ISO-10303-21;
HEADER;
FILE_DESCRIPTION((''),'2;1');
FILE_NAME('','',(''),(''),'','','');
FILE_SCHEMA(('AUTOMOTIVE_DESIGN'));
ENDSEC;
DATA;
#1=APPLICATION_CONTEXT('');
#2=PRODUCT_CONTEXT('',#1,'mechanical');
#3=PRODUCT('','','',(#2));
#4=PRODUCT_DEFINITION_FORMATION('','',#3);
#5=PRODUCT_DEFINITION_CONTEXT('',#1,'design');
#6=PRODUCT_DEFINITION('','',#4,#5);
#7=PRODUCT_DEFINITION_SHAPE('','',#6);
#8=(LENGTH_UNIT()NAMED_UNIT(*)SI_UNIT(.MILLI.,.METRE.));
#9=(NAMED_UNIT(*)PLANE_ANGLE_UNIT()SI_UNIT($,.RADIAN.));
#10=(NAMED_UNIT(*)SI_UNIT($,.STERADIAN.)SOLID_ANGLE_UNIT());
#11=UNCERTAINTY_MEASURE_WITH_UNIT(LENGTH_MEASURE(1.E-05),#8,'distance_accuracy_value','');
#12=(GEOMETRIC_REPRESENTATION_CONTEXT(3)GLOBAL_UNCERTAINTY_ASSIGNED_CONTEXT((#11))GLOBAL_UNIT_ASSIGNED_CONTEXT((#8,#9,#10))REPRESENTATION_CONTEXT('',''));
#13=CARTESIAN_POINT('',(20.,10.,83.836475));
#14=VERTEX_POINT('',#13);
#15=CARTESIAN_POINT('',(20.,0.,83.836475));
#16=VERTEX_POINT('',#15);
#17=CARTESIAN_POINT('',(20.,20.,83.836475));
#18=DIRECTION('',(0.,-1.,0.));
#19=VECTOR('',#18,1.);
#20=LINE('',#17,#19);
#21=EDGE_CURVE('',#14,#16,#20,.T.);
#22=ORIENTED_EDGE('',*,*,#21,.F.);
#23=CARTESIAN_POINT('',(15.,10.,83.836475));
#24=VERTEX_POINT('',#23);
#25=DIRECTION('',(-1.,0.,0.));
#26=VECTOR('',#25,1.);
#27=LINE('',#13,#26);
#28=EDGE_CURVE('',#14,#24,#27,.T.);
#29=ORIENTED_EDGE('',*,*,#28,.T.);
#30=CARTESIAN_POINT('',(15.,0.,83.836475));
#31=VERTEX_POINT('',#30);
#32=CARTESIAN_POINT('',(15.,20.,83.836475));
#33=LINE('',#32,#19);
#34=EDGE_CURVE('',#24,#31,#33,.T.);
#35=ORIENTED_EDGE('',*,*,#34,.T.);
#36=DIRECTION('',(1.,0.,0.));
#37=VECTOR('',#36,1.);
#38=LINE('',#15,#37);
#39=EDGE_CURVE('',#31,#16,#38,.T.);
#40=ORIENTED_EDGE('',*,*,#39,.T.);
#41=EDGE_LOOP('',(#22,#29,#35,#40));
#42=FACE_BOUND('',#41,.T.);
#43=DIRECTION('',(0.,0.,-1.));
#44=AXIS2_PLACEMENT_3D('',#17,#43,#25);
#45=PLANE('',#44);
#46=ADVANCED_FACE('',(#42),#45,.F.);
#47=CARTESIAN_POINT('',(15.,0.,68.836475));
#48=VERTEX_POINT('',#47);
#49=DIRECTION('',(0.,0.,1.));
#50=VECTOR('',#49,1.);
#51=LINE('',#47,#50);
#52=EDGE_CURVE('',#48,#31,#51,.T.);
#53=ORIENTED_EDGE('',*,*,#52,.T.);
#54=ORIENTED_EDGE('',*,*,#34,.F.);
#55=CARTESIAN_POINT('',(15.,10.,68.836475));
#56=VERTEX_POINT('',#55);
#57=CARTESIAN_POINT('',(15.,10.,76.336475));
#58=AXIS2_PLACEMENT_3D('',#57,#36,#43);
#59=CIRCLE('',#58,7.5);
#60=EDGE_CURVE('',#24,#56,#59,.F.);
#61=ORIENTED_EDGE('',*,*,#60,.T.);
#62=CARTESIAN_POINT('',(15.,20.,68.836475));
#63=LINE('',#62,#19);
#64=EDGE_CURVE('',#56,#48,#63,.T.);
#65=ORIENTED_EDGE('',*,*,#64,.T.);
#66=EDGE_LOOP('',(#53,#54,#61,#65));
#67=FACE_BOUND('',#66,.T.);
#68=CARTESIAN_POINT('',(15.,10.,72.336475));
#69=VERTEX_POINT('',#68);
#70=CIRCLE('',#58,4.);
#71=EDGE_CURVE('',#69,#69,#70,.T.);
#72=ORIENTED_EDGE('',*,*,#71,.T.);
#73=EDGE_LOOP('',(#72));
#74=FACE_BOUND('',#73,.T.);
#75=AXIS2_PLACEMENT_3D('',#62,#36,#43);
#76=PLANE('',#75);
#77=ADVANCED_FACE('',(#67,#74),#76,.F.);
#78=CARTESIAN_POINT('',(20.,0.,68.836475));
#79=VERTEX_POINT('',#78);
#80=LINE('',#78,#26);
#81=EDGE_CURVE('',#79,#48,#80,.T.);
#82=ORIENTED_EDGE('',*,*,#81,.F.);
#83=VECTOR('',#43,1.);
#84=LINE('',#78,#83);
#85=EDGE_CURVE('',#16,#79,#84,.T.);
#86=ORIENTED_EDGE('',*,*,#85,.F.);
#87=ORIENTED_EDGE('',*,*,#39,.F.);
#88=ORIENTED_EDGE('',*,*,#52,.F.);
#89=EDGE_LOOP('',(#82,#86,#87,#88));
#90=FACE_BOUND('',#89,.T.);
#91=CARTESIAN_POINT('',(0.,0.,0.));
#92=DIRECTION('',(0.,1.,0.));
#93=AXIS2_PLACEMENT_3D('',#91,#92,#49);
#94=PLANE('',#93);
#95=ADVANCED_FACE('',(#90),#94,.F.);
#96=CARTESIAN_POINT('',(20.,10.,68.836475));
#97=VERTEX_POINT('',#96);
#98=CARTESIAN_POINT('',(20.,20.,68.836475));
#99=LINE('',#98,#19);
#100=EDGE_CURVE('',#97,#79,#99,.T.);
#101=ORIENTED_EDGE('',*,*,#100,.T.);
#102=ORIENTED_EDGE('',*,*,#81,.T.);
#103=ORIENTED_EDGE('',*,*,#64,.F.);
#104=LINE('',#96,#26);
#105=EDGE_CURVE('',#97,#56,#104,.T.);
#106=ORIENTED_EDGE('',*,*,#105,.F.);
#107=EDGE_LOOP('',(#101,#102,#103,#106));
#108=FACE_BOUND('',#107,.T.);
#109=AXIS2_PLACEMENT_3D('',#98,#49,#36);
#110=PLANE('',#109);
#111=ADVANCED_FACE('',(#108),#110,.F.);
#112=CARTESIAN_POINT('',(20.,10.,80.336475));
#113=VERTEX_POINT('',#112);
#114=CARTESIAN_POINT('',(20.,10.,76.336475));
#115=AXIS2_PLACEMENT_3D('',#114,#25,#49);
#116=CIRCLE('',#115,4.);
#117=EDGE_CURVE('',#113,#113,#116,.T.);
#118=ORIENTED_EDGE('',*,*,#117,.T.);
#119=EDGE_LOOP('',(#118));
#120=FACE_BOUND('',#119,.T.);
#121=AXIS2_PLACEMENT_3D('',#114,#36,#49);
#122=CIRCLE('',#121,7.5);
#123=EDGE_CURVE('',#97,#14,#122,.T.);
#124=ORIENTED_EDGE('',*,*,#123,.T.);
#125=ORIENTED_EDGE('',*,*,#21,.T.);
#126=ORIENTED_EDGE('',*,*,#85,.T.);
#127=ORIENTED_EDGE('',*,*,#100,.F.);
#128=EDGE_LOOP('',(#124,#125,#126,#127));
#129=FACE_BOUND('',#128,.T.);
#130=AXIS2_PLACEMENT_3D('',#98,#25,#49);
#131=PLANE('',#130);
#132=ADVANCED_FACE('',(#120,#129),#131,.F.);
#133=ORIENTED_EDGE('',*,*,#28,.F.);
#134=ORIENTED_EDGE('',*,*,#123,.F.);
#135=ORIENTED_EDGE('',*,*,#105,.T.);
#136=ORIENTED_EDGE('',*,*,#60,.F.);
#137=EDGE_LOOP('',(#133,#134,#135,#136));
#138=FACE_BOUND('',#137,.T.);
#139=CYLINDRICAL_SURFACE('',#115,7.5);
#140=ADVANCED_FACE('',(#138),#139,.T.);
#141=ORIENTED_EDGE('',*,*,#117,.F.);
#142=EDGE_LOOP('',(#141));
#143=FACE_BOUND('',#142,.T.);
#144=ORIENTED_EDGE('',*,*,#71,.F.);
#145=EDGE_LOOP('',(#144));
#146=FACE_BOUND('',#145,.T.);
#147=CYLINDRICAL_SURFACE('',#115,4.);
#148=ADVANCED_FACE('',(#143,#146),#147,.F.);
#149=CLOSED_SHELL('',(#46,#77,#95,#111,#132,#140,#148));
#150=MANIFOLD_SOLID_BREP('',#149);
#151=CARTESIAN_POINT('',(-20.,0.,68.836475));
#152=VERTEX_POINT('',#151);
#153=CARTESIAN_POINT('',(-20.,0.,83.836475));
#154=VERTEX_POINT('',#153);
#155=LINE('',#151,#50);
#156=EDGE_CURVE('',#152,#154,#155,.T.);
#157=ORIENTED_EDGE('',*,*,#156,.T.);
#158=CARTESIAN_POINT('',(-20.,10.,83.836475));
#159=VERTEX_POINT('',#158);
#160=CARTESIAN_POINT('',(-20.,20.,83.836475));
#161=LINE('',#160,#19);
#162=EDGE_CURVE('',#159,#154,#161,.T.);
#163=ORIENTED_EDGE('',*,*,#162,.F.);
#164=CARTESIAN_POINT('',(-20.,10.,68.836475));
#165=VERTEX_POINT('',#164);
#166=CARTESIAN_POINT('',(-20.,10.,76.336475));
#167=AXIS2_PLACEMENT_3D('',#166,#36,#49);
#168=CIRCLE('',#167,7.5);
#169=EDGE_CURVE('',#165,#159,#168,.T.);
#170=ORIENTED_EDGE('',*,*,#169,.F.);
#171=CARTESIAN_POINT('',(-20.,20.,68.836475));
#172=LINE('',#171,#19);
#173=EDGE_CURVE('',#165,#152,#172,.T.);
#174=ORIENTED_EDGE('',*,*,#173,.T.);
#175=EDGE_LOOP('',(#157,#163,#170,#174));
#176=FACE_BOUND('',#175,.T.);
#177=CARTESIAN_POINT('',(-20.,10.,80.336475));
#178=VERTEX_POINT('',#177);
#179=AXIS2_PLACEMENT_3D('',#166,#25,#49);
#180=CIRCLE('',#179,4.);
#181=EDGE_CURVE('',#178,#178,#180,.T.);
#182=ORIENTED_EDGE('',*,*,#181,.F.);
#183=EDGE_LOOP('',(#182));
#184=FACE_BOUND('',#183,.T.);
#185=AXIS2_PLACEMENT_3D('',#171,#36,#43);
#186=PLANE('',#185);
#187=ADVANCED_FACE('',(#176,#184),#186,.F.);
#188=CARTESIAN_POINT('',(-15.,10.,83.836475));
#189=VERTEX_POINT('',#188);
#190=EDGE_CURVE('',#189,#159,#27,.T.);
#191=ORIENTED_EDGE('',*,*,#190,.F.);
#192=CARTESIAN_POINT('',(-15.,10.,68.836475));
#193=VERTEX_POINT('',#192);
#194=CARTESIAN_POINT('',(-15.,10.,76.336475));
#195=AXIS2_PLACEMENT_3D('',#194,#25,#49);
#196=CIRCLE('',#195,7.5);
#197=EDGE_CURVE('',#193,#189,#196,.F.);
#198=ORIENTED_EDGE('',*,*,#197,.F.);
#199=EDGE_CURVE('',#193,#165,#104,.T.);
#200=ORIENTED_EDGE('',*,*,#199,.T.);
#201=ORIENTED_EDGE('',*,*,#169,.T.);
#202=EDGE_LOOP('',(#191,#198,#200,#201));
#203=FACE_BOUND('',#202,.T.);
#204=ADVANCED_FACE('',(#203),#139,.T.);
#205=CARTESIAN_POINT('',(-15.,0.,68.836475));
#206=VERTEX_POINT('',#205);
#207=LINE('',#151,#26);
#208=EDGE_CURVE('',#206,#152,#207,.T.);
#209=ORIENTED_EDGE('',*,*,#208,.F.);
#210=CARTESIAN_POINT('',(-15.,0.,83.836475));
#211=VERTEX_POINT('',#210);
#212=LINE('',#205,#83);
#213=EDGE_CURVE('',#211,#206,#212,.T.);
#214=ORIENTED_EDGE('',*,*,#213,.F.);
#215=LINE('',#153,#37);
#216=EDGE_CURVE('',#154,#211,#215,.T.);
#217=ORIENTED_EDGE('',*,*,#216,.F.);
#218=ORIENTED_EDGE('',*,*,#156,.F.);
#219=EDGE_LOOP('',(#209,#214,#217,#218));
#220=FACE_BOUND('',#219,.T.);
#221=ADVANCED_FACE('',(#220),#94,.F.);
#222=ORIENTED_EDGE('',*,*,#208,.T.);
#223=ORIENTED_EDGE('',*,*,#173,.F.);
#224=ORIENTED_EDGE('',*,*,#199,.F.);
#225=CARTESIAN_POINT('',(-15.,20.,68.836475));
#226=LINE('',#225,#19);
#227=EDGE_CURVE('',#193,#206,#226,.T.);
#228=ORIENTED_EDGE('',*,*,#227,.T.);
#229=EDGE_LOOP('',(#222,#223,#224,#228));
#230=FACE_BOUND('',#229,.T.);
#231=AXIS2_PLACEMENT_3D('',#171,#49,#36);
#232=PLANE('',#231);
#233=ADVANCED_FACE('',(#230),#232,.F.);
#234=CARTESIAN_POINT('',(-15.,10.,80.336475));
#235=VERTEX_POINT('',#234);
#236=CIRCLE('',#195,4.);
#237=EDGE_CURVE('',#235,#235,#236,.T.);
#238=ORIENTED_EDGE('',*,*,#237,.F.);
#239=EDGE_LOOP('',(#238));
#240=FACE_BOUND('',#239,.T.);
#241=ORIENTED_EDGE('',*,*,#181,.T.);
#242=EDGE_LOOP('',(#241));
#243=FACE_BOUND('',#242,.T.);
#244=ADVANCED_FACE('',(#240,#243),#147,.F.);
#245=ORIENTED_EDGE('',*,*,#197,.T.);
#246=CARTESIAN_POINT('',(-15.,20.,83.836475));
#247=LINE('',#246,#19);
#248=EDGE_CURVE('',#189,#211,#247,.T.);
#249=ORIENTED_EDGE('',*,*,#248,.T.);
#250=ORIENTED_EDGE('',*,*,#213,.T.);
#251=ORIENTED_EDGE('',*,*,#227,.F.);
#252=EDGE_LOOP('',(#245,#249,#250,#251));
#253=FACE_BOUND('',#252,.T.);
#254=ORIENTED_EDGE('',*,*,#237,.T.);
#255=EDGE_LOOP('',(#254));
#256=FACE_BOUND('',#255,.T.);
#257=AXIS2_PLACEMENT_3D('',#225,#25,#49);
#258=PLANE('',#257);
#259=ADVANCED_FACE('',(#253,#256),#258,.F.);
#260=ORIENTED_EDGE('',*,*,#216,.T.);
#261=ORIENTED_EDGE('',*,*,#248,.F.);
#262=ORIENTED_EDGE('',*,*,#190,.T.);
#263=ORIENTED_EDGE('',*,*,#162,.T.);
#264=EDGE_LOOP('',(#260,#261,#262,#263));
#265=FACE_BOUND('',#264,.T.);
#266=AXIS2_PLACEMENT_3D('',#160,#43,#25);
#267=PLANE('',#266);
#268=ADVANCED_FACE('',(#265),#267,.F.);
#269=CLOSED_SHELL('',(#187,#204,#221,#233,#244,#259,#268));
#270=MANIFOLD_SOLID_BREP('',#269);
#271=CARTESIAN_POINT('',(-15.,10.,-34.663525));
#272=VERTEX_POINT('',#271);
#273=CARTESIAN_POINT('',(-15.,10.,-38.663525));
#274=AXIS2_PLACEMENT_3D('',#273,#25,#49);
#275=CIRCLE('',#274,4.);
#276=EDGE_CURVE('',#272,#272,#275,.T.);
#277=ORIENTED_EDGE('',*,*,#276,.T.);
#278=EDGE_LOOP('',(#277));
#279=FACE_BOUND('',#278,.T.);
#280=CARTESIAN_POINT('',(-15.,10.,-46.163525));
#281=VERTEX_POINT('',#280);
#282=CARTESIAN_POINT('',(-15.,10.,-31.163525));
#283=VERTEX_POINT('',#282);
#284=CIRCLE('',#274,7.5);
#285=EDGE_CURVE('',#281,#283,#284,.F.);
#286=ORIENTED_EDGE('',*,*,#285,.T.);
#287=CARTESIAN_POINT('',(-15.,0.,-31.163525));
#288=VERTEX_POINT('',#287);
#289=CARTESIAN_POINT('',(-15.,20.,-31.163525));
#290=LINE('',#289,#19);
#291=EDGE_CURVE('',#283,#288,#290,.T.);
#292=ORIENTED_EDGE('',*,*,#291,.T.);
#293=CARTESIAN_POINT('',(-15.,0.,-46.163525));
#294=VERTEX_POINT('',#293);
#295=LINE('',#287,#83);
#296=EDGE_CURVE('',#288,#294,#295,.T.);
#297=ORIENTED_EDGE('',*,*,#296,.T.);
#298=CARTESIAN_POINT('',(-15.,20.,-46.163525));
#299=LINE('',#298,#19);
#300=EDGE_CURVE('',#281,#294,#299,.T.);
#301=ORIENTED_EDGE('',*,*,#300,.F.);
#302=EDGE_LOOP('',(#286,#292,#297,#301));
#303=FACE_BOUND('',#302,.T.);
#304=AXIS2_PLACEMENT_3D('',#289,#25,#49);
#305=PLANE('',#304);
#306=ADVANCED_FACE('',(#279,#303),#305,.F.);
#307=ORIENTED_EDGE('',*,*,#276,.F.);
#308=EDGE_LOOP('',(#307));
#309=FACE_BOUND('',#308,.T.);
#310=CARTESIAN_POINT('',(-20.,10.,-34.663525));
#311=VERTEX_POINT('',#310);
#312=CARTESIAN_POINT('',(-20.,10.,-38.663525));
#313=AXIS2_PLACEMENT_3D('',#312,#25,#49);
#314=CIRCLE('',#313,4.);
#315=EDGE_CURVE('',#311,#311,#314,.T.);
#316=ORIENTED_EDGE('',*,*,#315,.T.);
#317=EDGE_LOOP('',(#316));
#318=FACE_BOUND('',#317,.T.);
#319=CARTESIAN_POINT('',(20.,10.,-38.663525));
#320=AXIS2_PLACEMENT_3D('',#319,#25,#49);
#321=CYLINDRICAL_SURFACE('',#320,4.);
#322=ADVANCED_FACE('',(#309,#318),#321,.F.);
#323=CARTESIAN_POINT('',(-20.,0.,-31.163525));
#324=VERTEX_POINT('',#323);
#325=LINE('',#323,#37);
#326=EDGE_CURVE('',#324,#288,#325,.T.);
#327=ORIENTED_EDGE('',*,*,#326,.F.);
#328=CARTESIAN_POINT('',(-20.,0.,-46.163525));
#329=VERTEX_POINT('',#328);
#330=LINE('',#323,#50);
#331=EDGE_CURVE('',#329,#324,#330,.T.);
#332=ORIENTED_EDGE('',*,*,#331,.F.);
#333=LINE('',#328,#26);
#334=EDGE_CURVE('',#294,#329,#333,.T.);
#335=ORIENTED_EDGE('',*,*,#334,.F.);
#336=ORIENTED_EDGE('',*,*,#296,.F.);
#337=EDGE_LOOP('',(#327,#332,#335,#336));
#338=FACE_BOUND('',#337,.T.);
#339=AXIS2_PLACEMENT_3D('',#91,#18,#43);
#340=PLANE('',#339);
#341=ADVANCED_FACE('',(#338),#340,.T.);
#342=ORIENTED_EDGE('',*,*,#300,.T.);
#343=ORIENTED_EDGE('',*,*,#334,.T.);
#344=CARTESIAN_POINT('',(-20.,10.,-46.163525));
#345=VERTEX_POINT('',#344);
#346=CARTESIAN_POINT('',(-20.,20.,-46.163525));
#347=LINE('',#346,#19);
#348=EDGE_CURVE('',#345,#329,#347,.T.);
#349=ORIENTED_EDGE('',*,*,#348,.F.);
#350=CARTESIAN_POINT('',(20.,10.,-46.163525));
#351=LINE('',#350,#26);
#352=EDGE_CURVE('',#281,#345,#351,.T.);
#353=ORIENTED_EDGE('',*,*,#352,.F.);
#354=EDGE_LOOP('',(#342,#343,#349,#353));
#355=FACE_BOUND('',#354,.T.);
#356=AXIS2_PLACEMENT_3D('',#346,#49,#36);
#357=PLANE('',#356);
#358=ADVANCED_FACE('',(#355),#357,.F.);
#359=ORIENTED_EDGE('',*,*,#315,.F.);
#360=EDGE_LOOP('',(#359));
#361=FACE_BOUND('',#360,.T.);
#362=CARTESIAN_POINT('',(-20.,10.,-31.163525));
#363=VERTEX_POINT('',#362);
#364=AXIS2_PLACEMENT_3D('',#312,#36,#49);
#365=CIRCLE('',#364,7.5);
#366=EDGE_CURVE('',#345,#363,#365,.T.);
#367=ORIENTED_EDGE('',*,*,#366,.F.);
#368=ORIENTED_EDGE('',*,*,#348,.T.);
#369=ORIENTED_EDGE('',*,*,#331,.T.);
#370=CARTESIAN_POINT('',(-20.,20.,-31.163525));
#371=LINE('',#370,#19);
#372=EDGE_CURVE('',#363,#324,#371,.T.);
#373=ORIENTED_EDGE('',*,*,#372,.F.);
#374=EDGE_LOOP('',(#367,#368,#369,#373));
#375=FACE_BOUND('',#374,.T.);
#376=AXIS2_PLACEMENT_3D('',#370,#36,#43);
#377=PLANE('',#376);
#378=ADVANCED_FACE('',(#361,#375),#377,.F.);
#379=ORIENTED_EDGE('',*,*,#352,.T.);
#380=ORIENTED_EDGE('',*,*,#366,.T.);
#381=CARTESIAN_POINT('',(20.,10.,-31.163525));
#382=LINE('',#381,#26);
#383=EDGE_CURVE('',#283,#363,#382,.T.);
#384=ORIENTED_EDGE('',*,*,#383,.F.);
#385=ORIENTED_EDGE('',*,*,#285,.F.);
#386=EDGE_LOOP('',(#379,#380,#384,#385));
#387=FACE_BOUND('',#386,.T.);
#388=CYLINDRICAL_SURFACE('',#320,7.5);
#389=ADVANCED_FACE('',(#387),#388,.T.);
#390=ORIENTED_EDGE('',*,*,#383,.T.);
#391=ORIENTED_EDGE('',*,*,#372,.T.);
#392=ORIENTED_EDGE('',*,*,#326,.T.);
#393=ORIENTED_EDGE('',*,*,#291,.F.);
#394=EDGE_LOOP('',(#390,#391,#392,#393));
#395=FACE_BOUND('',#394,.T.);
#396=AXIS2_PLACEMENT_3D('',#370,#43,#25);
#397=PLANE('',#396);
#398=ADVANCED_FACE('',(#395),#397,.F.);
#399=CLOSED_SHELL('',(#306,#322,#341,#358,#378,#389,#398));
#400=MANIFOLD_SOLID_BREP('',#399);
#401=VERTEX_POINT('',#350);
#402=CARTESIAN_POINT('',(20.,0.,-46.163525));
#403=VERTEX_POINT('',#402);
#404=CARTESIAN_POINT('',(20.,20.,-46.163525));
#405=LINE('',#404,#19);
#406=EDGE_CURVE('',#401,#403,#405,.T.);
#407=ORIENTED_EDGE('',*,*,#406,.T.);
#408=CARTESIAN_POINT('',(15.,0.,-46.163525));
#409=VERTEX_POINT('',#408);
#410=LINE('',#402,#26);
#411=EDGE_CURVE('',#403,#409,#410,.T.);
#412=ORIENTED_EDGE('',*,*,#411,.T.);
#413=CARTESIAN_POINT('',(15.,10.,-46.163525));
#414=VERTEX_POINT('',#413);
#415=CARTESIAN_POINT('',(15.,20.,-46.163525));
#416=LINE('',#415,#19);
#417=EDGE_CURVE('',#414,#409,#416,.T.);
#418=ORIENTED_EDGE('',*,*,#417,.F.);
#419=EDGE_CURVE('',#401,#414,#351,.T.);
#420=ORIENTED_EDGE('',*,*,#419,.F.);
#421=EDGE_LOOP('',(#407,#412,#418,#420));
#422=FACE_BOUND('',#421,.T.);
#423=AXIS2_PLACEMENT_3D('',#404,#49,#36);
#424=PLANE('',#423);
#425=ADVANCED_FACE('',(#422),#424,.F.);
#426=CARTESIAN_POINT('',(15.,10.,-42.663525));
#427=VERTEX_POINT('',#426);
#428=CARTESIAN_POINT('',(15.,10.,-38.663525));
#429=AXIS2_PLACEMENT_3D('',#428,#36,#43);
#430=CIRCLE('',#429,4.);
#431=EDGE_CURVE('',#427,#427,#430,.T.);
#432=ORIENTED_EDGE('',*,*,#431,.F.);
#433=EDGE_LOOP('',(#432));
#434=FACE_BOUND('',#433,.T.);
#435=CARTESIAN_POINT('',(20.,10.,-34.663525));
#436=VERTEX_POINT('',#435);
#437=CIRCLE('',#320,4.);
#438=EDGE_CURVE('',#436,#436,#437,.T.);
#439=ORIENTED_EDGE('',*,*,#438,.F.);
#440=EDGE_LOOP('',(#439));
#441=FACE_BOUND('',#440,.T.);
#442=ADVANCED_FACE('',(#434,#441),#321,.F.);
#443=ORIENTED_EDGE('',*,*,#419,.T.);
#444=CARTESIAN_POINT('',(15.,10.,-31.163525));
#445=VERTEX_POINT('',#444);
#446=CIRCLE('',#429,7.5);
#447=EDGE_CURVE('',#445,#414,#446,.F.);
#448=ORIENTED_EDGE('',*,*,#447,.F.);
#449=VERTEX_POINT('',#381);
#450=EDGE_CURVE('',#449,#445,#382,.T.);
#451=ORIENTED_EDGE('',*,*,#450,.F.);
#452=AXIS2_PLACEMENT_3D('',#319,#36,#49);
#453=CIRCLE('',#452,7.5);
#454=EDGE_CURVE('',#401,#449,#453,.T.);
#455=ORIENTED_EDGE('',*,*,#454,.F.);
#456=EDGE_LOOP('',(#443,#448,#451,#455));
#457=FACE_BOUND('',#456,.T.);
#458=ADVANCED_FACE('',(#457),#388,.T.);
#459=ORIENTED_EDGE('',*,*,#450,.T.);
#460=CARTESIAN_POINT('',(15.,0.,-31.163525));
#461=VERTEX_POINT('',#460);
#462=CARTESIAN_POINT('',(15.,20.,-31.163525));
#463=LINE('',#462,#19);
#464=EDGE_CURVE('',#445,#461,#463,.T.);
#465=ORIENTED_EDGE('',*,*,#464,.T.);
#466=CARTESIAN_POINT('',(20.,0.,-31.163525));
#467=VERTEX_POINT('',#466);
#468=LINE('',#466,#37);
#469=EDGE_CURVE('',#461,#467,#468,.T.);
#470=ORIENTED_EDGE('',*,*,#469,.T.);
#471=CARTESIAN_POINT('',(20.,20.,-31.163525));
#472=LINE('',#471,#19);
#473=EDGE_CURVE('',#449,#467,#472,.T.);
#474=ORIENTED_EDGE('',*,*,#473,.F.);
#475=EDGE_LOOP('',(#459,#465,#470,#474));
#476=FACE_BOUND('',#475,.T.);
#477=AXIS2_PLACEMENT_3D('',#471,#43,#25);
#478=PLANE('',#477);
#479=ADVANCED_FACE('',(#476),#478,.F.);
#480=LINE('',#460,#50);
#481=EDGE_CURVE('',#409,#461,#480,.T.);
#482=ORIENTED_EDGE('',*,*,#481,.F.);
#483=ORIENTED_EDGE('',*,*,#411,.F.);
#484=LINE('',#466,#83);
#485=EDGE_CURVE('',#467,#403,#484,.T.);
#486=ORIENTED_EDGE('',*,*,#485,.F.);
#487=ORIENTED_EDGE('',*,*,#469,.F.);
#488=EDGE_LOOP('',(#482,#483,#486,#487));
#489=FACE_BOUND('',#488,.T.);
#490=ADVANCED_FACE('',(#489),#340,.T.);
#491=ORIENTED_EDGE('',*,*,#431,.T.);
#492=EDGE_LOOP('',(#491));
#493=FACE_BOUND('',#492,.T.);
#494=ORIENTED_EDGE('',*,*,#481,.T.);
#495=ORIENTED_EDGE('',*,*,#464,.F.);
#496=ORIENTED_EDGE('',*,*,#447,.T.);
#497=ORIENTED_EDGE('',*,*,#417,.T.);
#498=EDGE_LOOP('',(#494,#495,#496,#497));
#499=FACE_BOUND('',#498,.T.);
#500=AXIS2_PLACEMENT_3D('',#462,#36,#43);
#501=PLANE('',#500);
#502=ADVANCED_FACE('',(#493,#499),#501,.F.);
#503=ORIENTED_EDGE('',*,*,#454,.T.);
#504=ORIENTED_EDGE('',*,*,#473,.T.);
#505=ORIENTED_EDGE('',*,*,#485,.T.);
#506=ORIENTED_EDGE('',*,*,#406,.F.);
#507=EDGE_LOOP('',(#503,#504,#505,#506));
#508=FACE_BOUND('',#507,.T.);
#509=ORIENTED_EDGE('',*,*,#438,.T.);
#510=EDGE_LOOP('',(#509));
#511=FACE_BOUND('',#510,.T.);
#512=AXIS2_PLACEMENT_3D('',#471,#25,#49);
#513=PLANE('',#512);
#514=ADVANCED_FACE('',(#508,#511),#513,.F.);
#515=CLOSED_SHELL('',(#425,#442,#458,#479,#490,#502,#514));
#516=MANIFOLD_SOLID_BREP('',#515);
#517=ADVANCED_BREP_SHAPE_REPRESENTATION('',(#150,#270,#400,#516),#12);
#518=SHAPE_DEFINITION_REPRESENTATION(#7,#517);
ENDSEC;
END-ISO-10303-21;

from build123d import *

# Parameters (mm, degrees)
SKETCH1_W             = 5
SKETCH1_H             = 15
BOSS_EXTRUDE1_DEPTH   = 20
BOSS_EXTRUDE1_2_DEPTH = 20
BOSS_EXTRUDE1_3_DEPTH = 20
BOSS_EXTRUDE1_4_DEPTH = 20
SKETCH2_R             = 4
CUT_EXTRUDE1_DEPTH    = 41


with BuildPart() as part:
    # Sketch1 → Boss-Extrude1 (new body)
    with BuildSketch(Plane(origin=(0, 0, 0), x_dir=(1, 0, 0), z_dir=(0, 1, 0))):
        with Locations((17.5, -76.336474884)):
            Rectangle(SKETCH1_W, SKETCH1_H)
    extrude(amount=BOSS_EXTRUDE1_DEPTH)


with BuildPart() as body_2:
    # Sketch1 → Boss-Extrude1 2 (new body)
    with BuildSketch(Plane(origin=(0, 0, 0), x_dir=(1, 0, 0), z_dir=(0, 1, 0))):
        with Locations((-17.5, -76.336474884)):
            Rectangle(SKETCH1_W, SKETCH1_H)
    extrude(amount=BOSS_EXTRUDE1_2_DEPTH)


with BuildPart() as body_3:
    # Sketch1 → Boss-Extrude1 3 (new body)
    with BuildSketch(Plane(origin=(0, 0, 0), x_dir=(1, 0, 0), z_dir=(0, 1, 0))):
        with Locations((-17.5, 38.663525116)):
            Rectangle(SKETCH1_W, SKETCH1_H)
    extrude(amount=BOSS_EXTRUDE1_3_DEPTH)


with BuildPart() as body_4:
    # Sketch1 → Boss-Extrude1 4 (new body)
    with BuildSketch(Plane(origin=(0, 0, 0), x_dir=(1, 0, 0), z_dir=(0, 1, 0))):
        with Locations((17.5, 38.663525116)):
            Rectangle(SKETCH1_W, SKETCH1_H)
    extrude(amount=BOSS_EXTRUDE1_4_DEPTH)


with BuildPart() as cut_extrude1_tool:
    # Sketch2 → Cut-Extrude1 (new body, through all)
    with BuildSketch(Plane.ZY.offset(20)):
        with Locations((-38.663525116, 10)):
            Circle(SKETCH2_R)
        with Locations((76.336474884, 10)):
            Circle(SKETCH2_R)
        with BuildLine():
            Line((-46.163525116, 10), (-46.163525116, 20))
            Line((-46.163525116, 20), (-31.163525116, 20))
            Line((-31.163525116, 20), (-31.163525116, 10))
            ThreePointArc((-31.163525116, 10), (-38.663525116, 17.5), (-46.163525116, 10))
        make_face()
        with BuildLine():
            Line((68.836474884, 10), (68.836474884, 20))
            Line((68.836474884, 20), (83.836474884, 20))
            Line((83.836474884, 20), (83.836474884, 10))
            ThreePointArc((83.836474884, 10), (76.336474884, 17.5), (68.836474884, 10))
        make_face()
    extrude(amount=-CUT_EXTRUDE1_DEPTH)


with BuildPart() as part_1:
    add(part.part)

    # Cut-Extrude1: cut by cut_extrude1_tool
    add(cut_extrude1_tool.part, mode=Mode.SUBTRACT)


with BuildPart() as body_2_1:
    add(body_2.part)

    # Cut-Extrude1: cut by cut_extrude1_tool
    add(cut_extrude1_tool.part, mode=Mode.SUBTRACT)


with BuildPart() as body_3_1:
    add(body_3.part)

    # Cut-Extrude1: cut by cut_extrude1_tool
    add(cut_extrude1_tool.part, mode=Mode.SUBTRACT)


with BuildPart() as body_4_1:
    add(body_4.part)

    # Cut-Extrude1: cut by cut_extrude1_tool
    add(cut_extrude1_tool.part, mode=Mode.SUBTRACT)


solid = Compound([part_1.part, body_2_1.part, body_3_1.part, body_4_1.part])
